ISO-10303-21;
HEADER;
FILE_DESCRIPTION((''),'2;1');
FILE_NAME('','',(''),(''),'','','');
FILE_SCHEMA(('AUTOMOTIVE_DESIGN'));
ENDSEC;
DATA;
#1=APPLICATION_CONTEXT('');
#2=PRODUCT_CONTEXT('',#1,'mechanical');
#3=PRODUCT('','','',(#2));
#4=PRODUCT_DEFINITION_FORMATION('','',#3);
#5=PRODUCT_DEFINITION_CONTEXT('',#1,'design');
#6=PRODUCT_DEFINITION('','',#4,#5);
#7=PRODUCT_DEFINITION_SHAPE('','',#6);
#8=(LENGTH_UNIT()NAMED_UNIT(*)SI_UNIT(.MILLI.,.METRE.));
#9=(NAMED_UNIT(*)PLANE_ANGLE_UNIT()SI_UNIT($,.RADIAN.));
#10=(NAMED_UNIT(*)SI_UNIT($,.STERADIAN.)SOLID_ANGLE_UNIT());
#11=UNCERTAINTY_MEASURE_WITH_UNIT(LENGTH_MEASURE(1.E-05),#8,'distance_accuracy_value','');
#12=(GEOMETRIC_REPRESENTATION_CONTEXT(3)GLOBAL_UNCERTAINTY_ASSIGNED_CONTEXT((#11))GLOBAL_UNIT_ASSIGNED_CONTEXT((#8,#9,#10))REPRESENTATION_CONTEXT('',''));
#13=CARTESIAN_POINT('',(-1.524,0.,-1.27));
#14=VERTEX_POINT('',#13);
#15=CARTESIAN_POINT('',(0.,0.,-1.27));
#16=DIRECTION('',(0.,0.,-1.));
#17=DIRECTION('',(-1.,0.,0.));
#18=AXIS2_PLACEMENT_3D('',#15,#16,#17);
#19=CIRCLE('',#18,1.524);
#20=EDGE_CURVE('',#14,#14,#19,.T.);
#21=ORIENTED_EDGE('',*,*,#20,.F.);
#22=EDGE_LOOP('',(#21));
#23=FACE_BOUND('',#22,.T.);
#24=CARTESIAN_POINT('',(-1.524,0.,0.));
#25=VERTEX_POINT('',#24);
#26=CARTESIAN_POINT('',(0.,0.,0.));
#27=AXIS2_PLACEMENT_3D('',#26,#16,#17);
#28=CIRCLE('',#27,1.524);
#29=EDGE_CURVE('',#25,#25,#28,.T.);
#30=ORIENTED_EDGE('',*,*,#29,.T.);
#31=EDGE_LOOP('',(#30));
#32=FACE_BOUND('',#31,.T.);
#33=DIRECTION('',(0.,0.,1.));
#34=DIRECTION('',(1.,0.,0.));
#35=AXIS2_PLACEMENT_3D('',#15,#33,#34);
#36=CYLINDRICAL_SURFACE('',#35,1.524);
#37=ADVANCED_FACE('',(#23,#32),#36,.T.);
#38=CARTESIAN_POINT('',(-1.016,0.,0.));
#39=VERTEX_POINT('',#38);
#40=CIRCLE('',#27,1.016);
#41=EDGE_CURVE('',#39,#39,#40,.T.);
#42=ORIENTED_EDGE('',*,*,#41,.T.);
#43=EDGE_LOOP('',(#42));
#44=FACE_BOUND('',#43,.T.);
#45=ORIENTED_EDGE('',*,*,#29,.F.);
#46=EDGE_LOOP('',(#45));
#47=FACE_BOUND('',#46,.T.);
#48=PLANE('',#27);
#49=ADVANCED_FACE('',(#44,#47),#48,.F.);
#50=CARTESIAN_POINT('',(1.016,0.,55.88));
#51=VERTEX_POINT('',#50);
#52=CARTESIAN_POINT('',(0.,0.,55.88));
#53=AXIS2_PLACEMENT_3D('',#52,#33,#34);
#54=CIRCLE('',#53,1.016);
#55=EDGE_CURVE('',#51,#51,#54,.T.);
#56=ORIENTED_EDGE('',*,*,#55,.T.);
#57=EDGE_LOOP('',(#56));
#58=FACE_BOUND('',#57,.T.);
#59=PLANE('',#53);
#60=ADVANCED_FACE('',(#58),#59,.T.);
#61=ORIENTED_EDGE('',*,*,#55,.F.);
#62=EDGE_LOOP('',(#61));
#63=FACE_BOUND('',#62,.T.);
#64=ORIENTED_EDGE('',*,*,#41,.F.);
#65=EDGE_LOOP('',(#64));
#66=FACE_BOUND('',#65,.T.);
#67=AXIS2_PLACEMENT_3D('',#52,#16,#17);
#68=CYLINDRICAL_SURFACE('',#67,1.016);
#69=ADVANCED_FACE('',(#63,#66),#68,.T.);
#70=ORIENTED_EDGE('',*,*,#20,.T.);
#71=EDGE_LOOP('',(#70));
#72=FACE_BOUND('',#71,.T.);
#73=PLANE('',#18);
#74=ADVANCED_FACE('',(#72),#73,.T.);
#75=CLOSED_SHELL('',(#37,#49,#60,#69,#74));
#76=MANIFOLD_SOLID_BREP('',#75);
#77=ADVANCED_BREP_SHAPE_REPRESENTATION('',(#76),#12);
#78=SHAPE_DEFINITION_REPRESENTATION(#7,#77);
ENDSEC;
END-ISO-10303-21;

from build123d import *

# Parameters (mm, degrees)
SKETCH1_R           = 1.016
BOSS_EXTRUDE1_DEPTH = 55.88
SKETCH2_R           = 1.524
BOSS_EXTRUDE2_DEPTH = 1.27


with BuildPart() as part:
    # Sketch1 → Boss-Extrude1 (new body)
    with BuildSketch(Plane.XY):
        Circle(SKETCH1_R)
    extrude(amount=BOSS_EXTRUDE1_DEPTH)

    # Sketch2 → Boss-Extrude2 (add)
    with BuildSketch(Plane(origin=(0, 0, 0), x_dir=(-1, 0, 0), z_dir=(0, 0, -1))):
        Circle(SKETCH2_R)
    extrude(amount=BOSS_EXTRUDE2_DEPTH)


solid = part.part
